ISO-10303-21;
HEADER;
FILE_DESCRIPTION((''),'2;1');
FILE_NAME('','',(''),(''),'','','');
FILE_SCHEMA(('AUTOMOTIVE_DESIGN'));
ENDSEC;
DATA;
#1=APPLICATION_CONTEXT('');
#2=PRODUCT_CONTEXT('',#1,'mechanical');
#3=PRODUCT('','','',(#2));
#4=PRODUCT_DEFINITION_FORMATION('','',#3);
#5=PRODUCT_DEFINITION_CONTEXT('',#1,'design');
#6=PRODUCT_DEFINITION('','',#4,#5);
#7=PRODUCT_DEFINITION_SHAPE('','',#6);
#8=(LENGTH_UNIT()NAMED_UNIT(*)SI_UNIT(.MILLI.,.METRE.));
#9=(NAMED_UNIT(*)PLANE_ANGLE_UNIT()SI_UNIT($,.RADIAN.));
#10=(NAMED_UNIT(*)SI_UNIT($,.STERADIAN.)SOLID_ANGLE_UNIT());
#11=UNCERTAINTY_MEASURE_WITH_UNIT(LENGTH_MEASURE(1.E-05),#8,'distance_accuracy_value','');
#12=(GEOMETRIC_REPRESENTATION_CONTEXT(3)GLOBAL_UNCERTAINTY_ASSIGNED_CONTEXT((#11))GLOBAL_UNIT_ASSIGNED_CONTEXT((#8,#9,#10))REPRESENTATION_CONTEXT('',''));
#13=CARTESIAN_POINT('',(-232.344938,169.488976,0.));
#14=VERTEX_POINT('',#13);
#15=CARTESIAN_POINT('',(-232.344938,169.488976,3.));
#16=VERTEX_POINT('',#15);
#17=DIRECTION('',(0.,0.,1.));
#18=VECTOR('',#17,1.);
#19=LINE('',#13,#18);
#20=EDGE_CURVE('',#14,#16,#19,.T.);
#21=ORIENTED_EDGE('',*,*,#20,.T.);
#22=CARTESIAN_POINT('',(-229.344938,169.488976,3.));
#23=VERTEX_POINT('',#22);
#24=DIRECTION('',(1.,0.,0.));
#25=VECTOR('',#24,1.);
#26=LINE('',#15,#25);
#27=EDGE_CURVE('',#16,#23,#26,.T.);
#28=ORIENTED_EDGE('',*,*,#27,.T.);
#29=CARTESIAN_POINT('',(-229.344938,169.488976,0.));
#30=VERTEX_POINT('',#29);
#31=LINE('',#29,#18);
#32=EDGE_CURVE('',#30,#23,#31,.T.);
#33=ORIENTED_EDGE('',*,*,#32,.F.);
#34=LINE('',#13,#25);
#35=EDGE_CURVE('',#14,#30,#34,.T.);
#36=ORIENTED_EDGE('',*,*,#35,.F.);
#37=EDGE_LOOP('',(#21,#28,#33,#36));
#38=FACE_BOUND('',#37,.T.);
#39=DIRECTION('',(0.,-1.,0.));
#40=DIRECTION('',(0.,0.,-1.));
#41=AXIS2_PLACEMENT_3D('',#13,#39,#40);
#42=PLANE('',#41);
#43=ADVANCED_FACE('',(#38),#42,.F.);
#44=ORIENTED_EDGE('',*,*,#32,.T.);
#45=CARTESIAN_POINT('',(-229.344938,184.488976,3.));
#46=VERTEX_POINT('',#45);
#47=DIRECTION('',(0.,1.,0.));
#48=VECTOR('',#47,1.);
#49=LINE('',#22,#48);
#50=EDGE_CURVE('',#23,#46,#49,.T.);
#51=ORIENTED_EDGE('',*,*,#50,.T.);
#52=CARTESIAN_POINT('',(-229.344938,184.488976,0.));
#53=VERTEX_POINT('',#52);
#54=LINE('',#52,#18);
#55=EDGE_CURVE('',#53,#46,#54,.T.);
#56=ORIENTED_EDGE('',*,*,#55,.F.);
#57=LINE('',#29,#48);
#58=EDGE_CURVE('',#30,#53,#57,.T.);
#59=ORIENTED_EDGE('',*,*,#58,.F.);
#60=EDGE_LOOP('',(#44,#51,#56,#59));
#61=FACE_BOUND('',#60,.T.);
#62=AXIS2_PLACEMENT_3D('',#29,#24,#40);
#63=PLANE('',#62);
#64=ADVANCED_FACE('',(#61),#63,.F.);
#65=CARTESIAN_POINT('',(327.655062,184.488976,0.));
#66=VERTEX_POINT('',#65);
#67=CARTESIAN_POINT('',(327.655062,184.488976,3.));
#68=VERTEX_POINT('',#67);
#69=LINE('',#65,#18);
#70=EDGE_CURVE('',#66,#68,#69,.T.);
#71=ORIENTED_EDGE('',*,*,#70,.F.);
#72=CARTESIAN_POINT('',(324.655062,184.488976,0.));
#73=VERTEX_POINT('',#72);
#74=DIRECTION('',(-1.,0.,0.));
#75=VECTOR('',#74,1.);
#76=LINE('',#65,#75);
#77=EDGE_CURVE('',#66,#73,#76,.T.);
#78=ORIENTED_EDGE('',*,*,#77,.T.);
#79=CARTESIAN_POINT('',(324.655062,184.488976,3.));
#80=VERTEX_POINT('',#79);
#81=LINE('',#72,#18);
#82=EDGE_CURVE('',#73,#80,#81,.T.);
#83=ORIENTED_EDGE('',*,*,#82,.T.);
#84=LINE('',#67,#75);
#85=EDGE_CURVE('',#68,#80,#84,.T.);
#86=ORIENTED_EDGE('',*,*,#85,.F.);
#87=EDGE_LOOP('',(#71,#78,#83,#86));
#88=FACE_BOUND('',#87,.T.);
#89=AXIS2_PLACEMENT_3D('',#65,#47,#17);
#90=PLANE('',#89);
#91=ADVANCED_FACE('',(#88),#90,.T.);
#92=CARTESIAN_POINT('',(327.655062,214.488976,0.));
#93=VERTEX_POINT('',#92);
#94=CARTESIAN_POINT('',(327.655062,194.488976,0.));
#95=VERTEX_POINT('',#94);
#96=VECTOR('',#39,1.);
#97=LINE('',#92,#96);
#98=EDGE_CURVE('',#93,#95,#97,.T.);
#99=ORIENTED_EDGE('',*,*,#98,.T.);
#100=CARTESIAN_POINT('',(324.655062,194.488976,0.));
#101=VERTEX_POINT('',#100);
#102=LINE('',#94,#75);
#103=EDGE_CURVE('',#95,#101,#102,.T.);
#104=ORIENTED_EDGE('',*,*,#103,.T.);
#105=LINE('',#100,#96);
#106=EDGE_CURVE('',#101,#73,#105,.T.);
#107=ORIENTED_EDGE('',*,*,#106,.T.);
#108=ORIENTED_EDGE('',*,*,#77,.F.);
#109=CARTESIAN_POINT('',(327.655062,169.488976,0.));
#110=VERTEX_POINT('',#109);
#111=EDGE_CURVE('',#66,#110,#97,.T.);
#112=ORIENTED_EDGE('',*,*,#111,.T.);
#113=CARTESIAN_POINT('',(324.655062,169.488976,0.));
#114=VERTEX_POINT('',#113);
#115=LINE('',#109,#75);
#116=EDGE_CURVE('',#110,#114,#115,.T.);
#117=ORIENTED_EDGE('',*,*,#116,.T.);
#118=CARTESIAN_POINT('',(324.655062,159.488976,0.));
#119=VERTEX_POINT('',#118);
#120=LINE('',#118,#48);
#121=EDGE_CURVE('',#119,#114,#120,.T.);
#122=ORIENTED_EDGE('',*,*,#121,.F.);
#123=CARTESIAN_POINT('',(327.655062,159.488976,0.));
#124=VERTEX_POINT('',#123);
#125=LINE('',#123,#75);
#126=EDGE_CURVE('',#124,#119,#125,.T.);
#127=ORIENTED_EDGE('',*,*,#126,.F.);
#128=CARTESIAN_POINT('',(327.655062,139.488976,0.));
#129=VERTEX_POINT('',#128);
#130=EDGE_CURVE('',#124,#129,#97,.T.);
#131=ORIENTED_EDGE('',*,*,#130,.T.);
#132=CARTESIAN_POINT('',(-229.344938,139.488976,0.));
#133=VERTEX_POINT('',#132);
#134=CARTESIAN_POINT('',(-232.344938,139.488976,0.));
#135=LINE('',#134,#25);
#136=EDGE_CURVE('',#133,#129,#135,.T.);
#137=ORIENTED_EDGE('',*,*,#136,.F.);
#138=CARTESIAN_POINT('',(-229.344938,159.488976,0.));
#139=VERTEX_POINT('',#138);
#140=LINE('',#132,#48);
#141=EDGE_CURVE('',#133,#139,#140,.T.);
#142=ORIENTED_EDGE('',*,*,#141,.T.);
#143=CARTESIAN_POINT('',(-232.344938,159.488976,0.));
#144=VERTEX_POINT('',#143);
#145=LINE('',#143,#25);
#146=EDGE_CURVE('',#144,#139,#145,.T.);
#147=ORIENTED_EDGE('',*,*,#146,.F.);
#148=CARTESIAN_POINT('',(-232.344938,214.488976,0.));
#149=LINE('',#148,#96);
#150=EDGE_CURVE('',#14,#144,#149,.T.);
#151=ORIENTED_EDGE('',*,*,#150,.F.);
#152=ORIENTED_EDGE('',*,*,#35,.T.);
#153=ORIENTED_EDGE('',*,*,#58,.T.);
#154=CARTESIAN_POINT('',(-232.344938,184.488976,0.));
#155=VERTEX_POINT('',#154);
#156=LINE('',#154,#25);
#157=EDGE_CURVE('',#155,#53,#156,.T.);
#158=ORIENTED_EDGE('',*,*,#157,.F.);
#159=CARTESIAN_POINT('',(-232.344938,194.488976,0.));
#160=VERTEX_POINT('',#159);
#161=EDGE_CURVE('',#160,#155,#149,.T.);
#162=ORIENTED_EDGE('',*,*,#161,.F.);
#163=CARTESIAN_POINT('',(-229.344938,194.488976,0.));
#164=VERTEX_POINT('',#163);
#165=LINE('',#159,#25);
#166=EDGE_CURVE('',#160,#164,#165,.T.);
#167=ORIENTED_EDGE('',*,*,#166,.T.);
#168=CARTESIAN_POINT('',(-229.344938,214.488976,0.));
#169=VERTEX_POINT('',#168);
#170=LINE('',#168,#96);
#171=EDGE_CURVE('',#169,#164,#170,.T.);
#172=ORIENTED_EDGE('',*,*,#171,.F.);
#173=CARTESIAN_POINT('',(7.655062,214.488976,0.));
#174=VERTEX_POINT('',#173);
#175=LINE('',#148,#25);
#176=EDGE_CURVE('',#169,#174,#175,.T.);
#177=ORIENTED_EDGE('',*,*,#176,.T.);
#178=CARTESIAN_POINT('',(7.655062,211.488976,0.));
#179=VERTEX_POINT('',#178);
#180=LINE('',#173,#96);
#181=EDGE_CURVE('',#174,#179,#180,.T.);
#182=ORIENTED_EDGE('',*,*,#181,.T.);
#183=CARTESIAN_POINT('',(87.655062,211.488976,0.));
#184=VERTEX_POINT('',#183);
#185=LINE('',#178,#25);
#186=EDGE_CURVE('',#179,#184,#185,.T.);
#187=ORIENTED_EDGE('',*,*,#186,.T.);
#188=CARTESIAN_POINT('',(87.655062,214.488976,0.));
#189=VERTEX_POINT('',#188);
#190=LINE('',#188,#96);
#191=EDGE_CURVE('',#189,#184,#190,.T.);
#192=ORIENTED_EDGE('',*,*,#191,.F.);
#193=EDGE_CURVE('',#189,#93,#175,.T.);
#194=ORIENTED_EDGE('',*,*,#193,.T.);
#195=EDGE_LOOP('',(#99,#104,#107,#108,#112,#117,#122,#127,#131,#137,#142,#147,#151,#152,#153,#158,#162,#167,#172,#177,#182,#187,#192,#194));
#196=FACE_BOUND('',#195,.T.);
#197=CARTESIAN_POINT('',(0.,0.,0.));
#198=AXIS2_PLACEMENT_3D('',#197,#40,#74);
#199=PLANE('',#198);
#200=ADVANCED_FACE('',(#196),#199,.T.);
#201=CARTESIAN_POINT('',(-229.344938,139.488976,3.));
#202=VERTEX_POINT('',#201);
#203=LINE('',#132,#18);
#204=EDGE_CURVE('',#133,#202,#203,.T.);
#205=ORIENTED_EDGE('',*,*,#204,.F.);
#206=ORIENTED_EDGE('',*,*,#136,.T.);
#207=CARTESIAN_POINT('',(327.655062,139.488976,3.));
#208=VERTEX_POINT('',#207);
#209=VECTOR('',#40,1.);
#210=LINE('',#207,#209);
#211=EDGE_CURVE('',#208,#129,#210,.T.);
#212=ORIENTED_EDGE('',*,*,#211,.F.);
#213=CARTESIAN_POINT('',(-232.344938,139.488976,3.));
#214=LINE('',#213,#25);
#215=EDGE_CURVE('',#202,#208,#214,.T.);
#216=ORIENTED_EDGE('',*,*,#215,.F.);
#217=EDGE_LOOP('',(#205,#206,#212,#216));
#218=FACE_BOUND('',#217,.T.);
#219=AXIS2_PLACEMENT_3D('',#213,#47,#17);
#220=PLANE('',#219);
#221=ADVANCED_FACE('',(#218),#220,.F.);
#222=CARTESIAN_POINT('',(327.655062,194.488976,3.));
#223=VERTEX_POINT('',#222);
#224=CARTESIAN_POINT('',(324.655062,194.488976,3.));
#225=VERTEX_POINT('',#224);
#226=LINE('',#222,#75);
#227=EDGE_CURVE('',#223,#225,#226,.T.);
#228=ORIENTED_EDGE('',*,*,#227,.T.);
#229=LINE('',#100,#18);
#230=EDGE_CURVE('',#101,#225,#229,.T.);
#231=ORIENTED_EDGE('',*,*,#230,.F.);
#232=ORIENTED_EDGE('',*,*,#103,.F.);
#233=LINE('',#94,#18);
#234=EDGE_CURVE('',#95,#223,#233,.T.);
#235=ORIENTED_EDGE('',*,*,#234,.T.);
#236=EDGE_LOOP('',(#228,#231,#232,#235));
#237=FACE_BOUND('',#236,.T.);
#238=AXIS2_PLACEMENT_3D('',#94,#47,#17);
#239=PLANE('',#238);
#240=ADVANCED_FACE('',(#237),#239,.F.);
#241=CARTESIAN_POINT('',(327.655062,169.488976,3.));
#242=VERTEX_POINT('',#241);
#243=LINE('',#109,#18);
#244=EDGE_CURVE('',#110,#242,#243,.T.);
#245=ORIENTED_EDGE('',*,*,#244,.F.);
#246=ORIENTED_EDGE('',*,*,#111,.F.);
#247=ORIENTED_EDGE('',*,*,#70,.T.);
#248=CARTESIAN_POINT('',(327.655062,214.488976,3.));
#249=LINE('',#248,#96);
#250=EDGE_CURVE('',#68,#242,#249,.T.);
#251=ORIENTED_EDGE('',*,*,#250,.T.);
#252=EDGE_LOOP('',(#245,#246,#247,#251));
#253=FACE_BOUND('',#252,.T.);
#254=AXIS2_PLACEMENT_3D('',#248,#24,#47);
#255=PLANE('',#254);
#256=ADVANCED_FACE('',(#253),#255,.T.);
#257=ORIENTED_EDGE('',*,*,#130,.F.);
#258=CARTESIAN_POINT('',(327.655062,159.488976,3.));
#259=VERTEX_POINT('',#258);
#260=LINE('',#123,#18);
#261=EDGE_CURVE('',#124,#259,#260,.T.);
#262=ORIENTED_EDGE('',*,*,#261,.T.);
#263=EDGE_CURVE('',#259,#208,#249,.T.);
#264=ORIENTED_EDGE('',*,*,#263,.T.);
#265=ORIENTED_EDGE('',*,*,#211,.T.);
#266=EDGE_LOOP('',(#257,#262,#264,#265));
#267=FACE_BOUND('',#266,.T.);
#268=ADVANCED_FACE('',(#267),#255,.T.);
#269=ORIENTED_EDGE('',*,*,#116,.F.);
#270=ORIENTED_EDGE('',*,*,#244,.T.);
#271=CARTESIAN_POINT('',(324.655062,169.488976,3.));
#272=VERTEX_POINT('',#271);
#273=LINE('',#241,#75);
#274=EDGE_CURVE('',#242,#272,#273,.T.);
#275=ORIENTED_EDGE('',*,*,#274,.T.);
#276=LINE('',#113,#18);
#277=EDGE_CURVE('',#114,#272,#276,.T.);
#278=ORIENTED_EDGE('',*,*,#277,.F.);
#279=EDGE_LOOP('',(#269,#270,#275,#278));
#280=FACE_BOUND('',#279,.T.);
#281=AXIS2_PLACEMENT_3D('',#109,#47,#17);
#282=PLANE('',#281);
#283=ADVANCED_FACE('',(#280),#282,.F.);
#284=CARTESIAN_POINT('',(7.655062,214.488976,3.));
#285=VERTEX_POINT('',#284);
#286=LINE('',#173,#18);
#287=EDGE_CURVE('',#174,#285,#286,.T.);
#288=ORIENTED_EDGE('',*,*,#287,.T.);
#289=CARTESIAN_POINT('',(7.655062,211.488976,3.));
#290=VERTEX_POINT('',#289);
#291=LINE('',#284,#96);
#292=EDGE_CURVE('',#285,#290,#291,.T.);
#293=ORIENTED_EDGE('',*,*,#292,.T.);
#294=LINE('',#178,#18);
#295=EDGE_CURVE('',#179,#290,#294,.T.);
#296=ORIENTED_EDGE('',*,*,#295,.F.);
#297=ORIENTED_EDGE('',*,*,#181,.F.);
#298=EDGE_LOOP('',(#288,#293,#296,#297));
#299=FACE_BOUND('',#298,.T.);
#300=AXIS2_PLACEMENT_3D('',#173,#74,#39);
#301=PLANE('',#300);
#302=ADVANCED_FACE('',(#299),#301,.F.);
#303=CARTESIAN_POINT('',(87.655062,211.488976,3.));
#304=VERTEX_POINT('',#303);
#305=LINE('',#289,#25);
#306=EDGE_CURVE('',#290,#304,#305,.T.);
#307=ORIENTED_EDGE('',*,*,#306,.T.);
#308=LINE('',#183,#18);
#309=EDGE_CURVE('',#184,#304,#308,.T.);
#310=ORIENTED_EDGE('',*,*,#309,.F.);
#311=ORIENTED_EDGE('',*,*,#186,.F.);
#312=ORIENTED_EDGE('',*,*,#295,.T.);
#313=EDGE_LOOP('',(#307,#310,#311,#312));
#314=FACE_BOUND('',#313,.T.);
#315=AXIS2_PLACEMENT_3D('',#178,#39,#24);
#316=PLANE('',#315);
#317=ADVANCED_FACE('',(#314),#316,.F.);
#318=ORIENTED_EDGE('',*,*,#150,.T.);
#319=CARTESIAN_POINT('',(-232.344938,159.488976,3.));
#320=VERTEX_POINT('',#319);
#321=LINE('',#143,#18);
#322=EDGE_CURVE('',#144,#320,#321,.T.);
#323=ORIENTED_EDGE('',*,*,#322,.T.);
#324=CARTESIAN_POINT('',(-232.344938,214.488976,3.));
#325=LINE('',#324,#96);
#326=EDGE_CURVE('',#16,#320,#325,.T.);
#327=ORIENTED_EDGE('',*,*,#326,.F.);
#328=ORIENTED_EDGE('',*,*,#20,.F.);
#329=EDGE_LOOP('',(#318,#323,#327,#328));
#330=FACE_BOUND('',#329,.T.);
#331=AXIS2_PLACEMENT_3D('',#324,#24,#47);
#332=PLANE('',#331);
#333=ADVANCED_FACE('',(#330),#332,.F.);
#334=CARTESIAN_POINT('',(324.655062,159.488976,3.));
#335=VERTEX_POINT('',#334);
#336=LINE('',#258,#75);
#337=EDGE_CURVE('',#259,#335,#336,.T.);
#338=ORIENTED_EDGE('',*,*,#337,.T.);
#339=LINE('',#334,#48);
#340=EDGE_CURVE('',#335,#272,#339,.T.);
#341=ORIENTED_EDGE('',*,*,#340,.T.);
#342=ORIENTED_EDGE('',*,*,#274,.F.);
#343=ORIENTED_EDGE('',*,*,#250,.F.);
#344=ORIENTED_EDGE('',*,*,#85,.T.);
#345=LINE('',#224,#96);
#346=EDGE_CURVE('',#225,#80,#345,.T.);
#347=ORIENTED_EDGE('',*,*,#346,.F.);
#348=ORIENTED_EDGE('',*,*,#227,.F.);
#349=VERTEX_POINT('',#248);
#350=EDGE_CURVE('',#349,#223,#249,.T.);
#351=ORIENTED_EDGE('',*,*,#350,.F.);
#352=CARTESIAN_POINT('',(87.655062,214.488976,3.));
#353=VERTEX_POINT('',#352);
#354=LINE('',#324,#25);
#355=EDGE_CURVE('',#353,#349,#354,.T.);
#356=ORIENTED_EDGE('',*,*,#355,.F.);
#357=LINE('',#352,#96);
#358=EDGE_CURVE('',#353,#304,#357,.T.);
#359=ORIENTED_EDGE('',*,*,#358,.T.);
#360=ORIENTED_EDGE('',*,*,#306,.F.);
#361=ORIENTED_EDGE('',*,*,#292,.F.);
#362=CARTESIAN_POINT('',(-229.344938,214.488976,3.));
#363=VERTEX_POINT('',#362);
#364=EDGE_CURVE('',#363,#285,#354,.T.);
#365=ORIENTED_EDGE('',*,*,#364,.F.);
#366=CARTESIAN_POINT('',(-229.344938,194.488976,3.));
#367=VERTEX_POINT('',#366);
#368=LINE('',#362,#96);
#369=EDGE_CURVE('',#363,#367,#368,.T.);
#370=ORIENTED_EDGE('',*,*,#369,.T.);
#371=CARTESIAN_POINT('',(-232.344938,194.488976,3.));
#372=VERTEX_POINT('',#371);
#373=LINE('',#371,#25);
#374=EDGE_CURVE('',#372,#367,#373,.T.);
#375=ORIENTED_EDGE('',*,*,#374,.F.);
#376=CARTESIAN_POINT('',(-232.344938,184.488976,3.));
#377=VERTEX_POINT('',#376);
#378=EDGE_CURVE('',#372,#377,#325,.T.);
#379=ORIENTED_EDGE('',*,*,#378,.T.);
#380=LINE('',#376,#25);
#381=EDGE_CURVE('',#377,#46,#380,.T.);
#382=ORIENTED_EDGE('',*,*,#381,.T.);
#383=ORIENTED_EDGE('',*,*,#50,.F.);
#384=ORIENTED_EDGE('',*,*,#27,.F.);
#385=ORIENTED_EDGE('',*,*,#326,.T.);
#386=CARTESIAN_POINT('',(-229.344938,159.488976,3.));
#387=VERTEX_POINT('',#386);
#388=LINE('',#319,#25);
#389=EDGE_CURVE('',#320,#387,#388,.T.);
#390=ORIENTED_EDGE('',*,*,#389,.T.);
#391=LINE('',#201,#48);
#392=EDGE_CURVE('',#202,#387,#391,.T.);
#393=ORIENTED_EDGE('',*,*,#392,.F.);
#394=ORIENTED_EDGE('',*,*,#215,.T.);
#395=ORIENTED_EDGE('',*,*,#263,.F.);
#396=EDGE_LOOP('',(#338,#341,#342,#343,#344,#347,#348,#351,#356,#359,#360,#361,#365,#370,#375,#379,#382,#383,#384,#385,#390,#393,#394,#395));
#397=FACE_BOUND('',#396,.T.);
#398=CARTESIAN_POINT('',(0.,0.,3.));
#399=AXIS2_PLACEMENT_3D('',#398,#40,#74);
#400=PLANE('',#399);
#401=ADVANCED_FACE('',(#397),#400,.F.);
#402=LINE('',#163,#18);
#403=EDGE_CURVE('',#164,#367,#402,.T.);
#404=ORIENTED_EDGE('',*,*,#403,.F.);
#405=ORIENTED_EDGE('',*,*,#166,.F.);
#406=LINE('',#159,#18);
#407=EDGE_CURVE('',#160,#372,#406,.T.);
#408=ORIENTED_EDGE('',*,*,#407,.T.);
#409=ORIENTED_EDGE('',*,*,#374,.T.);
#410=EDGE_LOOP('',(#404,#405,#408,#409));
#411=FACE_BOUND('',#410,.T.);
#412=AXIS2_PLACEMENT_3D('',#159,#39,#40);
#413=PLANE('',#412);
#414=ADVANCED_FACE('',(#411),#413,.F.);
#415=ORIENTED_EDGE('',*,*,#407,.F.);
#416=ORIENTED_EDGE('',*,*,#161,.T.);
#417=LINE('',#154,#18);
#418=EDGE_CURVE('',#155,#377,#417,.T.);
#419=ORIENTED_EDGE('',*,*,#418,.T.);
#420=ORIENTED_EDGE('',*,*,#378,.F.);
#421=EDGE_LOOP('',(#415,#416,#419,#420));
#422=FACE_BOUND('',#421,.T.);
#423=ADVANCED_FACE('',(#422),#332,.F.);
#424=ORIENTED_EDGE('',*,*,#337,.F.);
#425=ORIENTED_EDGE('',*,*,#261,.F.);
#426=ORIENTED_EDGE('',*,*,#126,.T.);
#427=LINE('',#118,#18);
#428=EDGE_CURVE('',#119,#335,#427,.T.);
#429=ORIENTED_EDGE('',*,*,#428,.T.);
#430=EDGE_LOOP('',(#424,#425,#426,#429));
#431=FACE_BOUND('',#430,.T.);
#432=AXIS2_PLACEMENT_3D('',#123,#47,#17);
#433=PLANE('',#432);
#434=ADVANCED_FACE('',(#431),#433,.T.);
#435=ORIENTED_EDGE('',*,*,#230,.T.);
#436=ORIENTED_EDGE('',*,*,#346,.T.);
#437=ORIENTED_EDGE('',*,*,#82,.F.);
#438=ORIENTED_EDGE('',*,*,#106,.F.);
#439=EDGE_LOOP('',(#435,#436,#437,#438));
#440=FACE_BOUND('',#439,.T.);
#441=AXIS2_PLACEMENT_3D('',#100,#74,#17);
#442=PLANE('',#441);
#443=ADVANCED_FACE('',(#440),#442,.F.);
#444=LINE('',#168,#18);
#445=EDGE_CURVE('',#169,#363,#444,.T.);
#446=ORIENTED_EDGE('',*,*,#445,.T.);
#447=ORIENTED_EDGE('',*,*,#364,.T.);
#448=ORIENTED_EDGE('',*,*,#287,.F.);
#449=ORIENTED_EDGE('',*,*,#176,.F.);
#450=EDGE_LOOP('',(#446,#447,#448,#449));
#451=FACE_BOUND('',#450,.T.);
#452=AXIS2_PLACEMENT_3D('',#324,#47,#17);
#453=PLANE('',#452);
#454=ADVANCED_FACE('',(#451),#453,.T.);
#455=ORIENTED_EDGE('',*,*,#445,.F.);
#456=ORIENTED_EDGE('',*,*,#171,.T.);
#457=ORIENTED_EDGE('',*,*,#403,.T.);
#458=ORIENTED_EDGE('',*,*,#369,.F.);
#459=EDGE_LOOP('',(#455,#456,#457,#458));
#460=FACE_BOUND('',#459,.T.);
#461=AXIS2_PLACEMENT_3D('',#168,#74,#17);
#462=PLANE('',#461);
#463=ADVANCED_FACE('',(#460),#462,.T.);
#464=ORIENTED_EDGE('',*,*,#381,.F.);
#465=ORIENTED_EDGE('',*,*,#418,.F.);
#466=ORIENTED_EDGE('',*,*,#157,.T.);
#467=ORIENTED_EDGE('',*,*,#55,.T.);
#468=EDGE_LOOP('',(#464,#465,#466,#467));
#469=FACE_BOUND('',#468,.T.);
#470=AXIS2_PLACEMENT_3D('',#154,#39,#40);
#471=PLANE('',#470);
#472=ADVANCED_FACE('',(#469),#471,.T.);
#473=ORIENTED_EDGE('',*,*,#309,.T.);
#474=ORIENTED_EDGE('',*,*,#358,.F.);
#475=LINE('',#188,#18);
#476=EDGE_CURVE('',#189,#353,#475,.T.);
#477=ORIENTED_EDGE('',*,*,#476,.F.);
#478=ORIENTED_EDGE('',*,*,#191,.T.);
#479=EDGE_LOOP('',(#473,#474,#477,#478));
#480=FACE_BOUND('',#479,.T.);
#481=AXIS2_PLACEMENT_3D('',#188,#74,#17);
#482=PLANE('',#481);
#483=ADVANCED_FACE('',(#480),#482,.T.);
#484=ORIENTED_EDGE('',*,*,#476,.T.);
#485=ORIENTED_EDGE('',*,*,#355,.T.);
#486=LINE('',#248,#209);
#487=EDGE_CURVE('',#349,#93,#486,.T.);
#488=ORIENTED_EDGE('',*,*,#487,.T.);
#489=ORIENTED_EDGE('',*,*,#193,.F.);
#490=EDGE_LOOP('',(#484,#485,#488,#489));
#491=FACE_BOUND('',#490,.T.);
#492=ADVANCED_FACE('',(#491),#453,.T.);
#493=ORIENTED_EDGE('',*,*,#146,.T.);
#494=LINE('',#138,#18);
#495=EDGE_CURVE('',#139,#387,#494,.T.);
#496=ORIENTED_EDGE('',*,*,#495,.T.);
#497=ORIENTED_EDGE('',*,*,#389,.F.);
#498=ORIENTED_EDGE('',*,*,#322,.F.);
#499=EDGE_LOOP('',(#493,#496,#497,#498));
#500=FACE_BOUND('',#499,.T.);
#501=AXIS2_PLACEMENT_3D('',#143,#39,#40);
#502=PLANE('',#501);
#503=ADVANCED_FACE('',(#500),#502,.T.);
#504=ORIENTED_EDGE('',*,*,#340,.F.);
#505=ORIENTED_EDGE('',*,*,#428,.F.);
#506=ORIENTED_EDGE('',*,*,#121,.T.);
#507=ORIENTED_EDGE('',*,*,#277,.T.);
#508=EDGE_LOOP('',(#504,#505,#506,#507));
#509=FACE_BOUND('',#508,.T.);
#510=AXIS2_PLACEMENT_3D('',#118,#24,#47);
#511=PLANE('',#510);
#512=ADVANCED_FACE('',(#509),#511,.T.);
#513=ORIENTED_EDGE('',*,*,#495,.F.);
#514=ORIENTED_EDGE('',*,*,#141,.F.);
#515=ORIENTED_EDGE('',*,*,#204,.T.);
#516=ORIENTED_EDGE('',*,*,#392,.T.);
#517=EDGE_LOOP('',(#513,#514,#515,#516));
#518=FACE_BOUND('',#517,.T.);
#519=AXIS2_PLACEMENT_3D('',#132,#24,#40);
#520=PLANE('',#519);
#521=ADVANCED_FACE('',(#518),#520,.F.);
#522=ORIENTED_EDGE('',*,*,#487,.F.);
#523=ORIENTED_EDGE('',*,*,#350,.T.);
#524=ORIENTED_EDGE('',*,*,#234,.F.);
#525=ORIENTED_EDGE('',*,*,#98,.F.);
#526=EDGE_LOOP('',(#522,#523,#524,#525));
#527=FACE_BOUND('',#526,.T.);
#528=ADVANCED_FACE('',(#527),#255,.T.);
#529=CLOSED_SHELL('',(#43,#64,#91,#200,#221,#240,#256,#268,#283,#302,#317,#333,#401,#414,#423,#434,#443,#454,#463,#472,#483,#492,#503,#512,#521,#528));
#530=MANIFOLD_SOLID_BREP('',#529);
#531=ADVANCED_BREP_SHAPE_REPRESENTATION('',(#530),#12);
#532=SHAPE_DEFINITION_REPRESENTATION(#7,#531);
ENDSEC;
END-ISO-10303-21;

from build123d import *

# Parameters (mm, degrees)
SKETCH1_W           = 560
SKETCH1_H           = 75
BOSS_EXTRUDE1_DEPTH = 3
SKETCH2_W           = 3
SKETCH2_H           = 10
CUT_EXTRUDE1_DEPTH  = 3
SKETCH3_W           = 3
SKETCH3_H           = 20
SKETCH3_H_2         = 15
CUT_EXTRUDE2_DEPTH  = 3
SKETCH4_W           = 80
SKETCH4_H           = 3
CUT_EXTRUDE3_DEPTH  = 3


with BuildPart() as part:
    # Sketch1 → Boss-Extrude1 (new body)
    with BuildSketch(Plane.XY):
        with Locations((47.655062333, 176.988975695)):
            Rectangle(SKETCH1_W, SKETCH1_H)
    extrude(amount=BOSS_EXTRUDE1_DEPTH)

    # Sketch2 → Cut-Extrude1 (cut)
    with BuildSketch(Plane.XY.offset(3)):
        with Locations((326.155062333, 189.488975695)):
            Rectangle(SKETCH2_W, SKETCH2_H)
        with Locations((326.155062333, 164.488975695)):
            Rectangle(SKETCH2_W, SKETCH2_H)
    extrude(amount=-CUT_EXTRUDE1_DEPTH, mode=Mode.SUBTRACT)

    # Sketch3 → Cut-Extrude2 (cut)
    with BuildSketch(Plane.XY.offset(3)):
        with Locations((-230.844937667, 204.488975695)):
            Rectangle(SKETCH3_W, SKETCH3_H)
        with Locations((-230.844937667, 149.488975695)):
            Rectangle(SKETCH3_W, SKETCH3_H)
        with Locations((-230.844937667, 176.988975695)):
            Rectangle(SKETCH3_W, SKETCH3_H_2)
    extrude(amount=-CUT_EXTRUDE2_DEPTH, mode=Mode.SUBTRACT)

    # Sketch4 → Cut-Extrude3 (cut)
    with BuildSketch(Plane.XY.offset(3)):
        with Locations((47.655062333, 212.988975695)):
            Rectangle(SKETCH4_W, SKETCH4_H)
    extrude(amount=-CUT_EXTRUDE3_DEPTH, mode=Mode.SUBTRACT)


solid = part.part
